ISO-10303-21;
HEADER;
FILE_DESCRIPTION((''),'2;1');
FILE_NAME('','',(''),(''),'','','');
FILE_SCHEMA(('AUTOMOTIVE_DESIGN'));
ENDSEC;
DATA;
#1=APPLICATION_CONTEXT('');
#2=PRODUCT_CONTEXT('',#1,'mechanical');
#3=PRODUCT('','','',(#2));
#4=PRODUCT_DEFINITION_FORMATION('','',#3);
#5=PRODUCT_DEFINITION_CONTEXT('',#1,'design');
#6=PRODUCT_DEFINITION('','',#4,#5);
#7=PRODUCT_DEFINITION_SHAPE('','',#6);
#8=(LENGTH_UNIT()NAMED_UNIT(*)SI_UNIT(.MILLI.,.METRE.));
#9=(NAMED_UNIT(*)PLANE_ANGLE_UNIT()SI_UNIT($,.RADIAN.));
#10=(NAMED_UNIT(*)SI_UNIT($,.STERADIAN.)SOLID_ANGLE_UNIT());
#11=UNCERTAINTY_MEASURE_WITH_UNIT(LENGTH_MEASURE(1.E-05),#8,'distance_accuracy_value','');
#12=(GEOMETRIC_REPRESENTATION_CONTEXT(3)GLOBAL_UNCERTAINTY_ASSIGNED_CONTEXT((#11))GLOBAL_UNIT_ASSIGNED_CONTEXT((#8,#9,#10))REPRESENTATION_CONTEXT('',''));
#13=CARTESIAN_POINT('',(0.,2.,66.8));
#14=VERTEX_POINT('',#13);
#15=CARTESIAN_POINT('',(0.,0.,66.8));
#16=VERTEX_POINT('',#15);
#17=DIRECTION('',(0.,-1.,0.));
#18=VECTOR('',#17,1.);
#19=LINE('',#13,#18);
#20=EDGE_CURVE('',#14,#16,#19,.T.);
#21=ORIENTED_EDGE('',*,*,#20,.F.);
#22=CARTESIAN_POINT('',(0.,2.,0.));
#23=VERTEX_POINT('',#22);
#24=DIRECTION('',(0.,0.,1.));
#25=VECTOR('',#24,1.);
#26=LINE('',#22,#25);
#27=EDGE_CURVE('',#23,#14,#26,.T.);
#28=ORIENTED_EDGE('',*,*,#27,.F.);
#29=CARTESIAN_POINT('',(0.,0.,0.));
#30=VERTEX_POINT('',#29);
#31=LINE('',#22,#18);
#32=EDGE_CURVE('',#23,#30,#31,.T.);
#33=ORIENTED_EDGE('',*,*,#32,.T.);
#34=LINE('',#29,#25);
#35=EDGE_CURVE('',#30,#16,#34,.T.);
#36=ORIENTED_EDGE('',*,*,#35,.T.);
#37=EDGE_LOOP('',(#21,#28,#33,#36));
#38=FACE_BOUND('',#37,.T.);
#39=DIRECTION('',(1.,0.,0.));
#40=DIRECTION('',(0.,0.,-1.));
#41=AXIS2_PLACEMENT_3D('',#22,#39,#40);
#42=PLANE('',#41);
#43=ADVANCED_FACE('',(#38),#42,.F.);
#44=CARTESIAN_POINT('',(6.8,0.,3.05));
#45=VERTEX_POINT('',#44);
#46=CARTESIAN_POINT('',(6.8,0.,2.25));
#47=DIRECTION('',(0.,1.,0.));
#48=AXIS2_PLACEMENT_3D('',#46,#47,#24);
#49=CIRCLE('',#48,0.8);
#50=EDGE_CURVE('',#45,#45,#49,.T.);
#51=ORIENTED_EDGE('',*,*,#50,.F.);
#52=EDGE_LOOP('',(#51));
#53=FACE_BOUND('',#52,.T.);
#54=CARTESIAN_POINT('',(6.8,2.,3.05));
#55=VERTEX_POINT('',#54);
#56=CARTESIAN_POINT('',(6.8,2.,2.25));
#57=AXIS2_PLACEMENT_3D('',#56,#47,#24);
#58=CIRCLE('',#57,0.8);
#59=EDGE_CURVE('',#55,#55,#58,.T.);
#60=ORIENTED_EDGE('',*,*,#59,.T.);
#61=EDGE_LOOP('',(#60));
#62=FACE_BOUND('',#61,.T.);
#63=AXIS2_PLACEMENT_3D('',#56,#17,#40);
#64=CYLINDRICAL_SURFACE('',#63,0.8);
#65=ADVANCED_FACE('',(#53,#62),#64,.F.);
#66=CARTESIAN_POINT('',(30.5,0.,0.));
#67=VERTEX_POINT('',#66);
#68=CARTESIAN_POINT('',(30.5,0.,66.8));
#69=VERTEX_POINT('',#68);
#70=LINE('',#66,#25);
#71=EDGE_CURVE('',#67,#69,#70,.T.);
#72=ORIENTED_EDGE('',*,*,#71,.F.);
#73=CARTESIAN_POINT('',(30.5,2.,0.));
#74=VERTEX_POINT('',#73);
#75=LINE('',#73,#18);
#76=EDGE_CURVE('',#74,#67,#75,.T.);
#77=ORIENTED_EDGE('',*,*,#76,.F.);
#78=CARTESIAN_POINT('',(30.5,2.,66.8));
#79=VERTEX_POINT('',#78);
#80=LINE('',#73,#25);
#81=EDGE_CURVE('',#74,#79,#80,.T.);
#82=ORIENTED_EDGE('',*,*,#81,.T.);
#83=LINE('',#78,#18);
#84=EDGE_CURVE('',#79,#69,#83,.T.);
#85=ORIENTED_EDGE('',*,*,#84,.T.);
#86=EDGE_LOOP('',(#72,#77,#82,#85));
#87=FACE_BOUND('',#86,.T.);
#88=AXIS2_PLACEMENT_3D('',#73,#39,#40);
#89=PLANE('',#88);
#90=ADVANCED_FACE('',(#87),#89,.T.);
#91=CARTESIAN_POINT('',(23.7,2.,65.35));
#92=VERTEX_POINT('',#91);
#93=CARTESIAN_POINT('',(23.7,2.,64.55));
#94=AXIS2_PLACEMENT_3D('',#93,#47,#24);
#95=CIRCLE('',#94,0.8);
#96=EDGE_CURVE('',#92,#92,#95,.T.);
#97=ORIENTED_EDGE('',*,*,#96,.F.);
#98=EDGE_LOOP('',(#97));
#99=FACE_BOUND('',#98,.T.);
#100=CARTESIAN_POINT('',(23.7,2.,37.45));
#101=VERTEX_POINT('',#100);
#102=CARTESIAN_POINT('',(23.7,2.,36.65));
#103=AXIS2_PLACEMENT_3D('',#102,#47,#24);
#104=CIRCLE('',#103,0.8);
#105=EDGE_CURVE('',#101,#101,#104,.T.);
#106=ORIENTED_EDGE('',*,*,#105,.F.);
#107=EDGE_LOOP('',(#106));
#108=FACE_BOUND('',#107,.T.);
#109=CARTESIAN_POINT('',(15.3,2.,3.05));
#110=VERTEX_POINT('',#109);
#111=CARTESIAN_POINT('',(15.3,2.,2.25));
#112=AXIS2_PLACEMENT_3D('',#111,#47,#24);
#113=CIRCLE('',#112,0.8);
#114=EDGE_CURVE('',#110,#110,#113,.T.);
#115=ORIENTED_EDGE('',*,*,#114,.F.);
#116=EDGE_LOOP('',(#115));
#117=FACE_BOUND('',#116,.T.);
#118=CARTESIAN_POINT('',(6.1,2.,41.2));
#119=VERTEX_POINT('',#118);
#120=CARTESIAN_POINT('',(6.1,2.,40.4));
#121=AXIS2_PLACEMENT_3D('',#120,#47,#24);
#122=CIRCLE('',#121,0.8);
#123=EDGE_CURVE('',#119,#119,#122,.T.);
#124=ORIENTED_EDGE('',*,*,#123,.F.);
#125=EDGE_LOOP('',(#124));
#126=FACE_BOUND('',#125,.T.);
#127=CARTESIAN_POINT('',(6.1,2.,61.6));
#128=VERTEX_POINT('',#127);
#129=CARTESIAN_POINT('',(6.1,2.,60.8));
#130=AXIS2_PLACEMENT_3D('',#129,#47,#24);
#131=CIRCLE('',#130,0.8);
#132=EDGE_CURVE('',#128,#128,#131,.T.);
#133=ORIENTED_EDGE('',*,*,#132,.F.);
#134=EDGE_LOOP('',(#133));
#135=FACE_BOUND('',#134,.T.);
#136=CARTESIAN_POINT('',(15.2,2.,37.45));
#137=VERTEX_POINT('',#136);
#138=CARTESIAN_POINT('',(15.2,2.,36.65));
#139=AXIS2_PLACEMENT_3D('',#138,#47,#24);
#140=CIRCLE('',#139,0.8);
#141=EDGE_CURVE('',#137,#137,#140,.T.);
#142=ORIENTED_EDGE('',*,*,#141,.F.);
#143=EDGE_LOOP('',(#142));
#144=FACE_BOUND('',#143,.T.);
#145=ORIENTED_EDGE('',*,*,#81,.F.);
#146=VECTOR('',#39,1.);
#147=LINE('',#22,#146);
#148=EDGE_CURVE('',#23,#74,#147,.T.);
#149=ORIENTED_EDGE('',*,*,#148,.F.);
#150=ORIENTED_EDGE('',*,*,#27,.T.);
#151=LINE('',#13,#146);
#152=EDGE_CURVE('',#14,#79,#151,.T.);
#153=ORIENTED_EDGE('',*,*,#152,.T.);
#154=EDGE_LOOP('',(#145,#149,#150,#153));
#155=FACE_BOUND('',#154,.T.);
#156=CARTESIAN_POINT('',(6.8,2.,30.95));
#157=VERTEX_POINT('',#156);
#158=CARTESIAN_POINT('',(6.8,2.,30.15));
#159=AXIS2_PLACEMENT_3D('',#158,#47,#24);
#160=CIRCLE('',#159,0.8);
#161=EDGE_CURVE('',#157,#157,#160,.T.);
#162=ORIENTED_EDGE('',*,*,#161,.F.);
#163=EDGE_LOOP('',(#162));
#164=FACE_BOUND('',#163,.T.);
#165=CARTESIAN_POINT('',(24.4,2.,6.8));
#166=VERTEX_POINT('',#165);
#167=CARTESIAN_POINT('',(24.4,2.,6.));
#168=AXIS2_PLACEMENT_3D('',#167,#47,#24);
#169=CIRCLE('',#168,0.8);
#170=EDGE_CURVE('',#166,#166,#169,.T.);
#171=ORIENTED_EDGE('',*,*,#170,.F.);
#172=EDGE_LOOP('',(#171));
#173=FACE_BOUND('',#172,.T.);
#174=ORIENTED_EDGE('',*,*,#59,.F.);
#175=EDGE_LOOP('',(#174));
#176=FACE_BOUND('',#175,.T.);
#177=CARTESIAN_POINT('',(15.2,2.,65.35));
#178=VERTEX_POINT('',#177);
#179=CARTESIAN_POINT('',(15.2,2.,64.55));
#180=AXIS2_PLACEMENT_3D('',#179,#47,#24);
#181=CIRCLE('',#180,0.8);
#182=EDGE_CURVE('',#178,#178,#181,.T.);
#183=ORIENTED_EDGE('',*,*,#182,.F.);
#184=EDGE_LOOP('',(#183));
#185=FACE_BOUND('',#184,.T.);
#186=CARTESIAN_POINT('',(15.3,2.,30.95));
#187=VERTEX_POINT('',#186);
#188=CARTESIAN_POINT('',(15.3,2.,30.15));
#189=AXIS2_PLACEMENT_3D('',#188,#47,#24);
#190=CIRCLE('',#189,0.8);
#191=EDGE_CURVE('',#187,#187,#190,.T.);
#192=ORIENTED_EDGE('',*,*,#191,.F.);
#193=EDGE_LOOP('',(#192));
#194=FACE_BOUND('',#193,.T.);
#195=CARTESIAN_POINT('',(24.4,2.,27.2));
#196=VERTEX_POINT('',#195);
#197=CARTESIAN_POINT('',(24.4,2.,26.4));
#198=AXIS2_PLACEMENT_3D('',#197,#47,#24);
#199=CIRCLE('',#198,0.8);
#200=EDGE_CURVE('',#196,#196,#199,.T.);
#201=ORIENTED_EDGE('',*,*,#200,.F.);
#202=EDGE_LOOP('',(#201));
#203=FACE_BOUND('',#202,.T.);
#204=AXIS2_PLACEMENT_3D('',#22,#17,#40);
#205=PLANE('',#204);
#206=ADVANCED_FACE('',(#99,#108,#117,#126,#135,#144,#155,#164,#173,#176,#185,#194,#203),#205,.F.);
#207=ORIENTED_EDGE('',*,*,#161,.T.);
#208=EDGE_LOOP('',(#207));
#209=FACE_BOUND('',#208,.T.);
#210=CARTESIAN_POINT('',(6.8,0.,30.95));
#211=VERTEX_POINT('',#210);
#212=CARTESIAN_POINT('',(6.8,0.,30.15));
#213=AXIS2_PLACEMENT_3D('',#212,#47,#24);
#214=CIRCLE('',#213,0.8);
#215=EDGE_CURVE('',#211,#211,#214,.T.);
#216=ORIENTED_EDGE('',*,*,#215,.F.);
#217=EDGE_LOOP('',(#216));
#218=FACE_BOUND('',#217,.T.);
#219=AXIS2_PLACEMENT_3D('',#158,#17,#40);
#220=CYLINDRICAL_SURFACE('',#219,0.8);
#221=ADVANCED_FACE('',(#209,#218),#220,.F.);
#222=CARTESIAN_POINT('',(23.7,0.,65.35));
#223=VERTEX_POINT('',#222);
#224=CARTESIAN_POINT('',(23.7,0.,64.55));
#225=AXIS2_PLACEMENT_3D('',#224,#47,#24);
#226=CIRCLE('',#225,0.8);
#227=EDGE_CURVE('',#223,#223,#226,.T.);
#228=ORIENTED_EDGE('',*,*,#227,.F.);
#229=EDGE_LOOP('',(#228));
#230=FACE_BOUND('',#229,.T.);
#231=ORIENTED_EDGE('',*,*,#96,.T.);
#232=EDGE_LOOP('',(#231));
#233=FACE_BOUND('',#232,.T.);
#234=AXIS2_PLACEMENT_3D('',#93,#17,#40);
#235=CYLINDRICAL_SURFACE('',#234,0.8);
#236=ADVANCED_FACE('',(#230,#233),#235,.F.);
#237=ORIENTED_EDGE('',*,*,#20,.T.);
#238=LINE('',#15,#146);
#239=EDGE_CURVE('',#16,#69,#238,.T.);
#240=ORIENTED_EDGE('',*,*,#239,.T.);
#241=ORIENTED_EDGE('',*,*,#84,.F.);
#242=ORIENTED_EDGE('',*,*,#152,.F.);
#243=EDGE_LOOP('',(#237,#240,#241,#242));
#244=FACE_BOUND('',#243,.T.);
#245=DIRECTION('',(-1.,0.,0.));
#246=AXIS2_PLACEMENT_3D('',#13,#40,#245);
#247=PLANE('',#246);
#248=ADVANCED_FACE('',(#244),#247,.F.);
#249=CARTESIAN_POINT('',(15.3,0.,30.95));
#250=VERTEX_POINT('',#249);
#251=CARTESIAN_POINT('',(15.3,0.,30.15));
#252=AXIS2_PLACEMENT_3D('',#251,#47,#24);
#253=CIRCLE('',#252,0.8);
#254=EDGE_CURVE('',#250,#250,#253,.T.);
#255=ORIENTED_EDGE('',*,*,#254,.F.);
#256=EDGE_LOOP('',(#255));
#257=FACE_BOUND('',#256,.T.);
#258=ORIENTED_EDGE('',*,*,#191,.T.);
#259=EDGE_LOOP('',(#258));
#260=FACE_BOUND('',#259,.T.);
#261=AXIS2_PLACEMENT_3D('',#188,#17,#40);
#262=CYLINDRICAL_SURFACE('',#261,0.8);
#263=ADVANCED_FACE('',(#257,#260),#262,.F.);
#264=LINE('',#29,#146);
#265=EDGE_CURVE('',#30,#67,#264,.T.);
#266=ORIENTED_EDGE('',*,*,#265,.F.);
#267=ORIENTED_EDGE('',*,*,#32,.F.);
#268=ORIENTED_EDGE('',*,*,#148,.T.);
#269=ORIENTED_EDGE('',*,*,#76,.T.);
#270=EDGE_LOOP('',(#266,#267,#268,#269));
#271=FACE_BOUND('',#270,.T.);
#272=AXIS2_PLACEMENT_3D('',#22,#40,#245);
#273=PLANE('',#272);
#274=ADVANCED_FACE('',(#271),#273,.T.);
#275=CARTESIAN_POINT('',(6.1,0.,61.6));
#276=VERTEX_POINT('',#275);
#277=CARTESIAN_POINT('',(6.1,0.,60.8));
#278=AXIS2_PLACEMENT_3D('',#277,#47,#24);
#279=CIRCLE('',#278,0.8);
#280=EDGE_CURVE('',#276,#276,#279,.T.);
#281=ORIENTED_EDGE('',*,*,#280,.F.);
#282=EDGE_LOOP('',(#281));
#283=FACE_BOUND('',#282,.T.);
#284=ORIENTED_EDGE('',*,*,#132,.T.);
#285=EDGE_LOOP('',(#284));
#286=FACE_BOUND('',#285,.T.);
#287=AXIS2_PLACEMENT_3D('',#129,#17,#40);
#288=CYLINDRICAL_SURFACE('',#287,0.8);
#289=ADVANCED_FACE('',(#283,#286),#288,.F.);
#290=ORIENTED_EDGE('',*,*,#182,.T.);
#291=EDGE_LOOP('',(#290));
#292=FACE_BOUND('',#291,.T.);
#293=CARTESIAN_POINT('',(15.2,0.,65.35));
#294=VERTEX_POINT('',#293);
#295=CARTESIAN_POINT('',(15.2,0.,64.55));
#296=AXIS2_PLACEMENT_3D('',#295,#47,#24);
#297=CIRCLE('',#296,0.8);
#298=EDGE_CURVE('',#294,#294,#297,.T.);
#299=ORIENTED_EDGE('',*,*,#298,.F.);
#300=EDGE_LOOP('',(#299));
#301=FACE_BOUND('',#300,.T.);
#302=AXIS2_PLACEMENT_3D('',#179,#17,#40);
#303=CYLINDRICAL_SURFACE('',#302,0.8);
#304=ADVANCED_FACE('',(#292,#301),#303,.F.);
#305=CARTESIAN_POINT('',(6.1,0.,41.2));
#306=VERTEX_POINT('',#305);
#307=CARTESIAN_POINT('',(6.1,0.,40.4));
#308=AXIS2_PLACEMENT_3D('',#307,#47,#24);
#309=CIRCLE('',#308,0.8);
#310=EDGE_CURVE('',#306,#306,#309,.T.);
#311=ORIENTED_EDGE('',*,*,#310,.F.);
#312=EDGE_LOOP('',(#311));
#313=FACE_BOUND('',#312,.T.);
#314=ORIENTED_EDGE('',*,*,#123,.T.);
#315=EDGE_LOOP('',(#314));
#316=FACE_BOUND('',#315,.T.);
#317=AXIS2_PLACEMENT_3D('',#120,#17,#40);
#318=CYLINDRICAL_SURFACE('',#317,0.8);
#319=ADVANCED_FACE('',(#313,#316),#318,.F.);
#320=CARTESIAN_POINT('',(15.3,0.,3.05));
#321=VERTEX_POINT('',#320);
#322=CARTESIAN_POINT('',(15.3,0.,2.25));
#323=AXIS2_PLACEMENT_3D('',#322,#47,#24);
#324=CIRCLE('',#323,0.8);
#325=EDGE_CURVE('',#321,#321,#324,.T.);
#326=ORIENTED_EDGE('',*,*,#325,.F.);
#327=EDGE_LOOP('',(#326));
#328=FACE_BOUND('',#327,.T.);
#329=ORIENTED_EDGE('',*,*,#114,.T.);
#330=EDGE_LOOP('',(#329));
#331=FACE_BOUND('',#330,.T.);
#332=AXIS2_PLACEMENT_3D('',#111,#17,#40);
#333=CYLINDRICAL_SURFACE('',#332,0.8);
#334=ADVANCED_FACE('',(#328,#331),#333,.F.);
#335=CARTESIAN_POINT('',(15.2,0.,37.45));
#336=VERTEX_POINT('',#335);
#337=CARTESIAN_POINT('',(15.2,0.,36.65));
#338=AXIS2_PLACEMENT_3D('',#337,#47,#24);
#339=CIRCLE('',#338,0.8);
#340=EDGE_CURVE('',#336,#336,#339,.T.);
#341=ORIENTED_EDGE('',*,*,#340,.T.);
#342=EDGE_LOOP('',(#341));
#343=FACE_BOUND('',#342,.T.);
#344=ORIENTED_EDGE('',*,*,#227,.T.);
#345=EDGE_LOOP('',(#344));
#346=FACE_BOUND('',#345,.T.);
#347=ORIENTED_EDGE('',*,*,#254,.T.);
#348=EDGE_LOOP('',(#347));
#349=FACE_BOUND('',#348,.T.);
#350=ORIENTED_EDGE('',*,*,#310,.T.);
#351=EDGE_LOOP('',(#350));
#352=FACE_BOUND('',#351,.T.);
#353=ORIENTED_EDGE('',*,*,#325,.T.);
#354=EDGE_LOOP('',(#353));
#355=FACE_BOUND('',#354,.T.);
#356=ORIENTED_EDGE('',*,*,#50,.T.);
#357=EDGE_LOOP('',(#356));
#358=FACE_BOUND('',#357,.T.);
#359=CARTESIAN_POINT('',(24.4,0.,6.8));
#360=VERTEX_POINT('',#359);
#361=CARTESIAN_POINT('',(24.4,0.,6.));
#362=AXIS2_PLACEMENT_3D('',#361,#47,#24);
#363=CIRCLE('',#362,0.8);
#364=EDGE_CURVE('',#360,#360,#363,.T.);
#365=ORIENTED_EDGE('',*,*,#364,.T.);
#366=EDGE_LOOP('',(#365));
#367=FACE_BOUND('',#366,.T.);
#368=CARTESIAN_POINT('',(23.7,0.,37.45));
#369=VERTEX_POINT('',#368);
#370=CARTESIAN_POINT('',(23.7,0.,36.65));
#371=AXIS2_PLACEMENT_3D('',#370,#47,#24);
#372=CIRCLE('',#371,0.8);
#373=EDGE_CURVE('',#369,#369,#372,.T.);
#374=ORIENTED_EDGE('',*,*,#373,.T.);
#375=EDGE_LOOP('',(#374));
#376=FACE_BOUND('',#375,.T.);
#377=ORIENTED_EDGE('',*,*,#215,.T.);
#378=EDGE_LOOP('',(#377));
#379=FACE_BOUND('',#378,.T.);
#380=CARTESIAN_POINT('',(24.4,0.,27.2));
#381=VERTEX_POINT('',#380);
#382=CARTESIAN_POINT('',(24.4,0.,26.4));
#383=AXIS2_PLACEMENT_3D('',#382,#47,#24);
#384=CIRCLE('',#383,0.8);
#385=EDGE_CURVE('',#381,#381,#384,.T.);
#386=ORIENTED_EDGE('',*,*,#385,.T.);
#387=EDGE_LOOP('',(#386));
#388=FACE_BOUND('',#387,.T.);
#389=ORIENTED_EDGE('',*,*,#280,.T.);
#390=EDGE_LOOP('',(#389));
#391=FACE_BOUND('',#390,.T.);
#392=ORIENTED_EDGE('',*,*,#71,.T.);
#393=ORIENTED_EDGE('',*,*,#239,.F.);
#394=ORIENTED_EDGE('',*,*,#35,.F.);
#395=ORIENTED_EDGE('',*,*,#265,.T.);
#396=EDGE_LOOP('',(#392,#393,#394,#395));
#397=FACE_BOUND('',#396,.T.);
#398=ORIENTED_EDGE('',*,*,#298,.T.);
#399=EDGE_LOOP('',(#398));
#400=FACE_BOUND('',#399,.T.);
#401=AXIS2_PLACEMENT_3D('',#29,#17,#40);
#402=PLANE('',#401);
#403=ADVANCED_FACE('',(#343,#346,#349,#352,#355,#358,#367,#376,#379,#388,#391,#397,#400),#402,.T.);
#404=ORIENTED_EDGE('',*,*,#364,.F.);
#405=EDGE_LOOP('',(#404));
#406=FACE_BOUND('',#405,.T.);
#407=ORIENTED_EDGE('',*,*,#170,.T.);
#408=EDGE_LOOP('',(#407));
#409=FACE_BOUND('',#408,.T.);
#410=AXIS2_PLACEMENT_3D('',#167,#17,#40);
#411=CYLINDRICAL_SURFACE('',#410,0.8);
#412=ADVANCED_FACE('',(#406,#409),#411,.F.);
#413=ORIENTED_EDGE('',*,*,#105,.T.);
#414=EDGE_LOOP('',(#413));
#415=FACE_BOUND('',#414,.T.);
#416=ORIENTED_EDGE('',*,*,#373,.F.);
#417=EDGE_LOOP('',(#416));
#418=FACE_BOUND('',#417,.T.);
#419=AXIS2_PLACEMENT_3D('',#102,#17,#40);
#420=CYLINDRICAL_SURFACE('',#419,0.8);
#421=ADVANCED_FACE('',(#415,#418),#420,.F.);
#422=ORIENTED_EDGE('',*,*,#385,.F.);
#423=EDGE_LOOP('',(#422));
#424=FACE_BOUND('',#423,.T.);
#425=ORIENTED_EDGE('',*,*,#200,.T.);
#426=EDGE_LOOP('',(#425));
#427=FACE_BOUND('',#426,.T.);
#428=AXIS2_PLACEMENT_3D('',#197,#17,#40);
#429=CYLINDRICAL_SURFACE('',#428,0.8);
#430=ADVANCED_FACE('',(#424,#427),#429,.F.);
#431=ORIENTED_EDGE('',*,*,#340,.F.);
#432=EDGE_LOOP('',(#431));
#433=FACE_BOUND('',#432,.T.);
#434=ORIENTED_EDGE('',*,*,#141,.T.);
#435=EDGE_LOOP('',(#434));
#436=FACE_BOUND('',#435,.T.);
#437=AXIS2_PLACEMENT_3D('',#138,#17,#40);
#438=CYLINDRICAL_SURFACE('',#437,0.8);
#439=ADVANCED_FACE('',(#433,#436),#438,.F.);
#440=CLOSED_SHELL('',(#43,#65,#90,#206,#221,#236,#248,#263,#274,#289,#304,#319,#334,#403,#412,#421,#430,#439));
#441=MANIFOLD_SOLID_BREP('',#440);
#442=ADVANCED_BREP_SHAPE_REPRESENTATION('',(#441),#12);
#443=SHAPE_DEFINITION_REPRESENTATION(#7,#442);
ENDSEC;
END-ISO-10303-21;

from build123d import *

# Parameters (mm, degrees)
SKETCH_1_W      = 30.5
SKETCH_1_H      = 66.8
SKETCH_1_R      = 0.8
EXTRUDE_1_DEPTH = 2


with BuildPart() as part:
    # 草图1 → 凸台-拉伸1 (new body)
    with BuildSketch(Plane(origin=(0, 0, 0), x_dir=(1, 0, 0), z_dir=(0, 1, 0))):
        with Locations((15.25, -33.4)):
            Rectangle(SKETCH_1_W, SKETCH_1_H)
        with Locations(Location((6.8, -2.25, 0), (0, 0, 270))):
            Circle(SKETCH_1_R, mode=Mode.SUBTRACT)
        with Locations(Location((15.3, -2.25, 0), (0, 0, 270))):
            Circle(SKETCH_1_R, mode=Mode.SUBTRACT)
        with Locations(Location((15.2, -64.55, 0), (0, 0, 270))):
            Circle(SKETCH_1_R, mode=Mode.SUBTRACT)
        with Locations(Location((23.7, -64.55, 0), (0, 0, 270))):
            Circle(SKETCH_1_R, mode=Mode.SUBTRACT)
        with Locations(Location((24.4, -6, 0), (0, 0, 270))):
            Circle(SKETCH_1_R, mode=Mode.SUBTRACT)
        with Locations(Location((24.4, -26.4, 0), (0, 0, 270))):
            Circle(SKETCH_1_R, mode=Mode.SUBTRACT)
        with Locations(Location((6.1, -60.8, 0), (0, 0, 270))):
            Circle(SKETCH_1_R, mode=Mode.SUBTRACT)
        with Locations(Location((6.8, -30.15, 0), (0, 0, 270))):
            Circle(SKETCH_1_R, mode=Mode.SUBTRACT)
        with Locations(Location((6.1, -40.4, 0), (0, 0, 270))):
            Circle(SKETCH_1_R, mode=Mode.SUBTRACT)
        with Locations(Location((23.7, -36.65, 0), (0, 0, 270))):
            Circle(SKETCH_1_R, mode=Mode.SUBTRACT)
        with Locations(Location((15.3, -30.15, 0), (0, 0, 270))):
            Circle(SKETCH_1_R, mode=Mode.SUBTRACT)
        with Locations(Location((15.2, -36.65, 0), (0, 0, 270))):
            Circle(SKETCH_1_R, mode=Mode.SUBTRACT)
    extrude(amount=EXTRUDE_1_DEPTH)


solid = part.part
